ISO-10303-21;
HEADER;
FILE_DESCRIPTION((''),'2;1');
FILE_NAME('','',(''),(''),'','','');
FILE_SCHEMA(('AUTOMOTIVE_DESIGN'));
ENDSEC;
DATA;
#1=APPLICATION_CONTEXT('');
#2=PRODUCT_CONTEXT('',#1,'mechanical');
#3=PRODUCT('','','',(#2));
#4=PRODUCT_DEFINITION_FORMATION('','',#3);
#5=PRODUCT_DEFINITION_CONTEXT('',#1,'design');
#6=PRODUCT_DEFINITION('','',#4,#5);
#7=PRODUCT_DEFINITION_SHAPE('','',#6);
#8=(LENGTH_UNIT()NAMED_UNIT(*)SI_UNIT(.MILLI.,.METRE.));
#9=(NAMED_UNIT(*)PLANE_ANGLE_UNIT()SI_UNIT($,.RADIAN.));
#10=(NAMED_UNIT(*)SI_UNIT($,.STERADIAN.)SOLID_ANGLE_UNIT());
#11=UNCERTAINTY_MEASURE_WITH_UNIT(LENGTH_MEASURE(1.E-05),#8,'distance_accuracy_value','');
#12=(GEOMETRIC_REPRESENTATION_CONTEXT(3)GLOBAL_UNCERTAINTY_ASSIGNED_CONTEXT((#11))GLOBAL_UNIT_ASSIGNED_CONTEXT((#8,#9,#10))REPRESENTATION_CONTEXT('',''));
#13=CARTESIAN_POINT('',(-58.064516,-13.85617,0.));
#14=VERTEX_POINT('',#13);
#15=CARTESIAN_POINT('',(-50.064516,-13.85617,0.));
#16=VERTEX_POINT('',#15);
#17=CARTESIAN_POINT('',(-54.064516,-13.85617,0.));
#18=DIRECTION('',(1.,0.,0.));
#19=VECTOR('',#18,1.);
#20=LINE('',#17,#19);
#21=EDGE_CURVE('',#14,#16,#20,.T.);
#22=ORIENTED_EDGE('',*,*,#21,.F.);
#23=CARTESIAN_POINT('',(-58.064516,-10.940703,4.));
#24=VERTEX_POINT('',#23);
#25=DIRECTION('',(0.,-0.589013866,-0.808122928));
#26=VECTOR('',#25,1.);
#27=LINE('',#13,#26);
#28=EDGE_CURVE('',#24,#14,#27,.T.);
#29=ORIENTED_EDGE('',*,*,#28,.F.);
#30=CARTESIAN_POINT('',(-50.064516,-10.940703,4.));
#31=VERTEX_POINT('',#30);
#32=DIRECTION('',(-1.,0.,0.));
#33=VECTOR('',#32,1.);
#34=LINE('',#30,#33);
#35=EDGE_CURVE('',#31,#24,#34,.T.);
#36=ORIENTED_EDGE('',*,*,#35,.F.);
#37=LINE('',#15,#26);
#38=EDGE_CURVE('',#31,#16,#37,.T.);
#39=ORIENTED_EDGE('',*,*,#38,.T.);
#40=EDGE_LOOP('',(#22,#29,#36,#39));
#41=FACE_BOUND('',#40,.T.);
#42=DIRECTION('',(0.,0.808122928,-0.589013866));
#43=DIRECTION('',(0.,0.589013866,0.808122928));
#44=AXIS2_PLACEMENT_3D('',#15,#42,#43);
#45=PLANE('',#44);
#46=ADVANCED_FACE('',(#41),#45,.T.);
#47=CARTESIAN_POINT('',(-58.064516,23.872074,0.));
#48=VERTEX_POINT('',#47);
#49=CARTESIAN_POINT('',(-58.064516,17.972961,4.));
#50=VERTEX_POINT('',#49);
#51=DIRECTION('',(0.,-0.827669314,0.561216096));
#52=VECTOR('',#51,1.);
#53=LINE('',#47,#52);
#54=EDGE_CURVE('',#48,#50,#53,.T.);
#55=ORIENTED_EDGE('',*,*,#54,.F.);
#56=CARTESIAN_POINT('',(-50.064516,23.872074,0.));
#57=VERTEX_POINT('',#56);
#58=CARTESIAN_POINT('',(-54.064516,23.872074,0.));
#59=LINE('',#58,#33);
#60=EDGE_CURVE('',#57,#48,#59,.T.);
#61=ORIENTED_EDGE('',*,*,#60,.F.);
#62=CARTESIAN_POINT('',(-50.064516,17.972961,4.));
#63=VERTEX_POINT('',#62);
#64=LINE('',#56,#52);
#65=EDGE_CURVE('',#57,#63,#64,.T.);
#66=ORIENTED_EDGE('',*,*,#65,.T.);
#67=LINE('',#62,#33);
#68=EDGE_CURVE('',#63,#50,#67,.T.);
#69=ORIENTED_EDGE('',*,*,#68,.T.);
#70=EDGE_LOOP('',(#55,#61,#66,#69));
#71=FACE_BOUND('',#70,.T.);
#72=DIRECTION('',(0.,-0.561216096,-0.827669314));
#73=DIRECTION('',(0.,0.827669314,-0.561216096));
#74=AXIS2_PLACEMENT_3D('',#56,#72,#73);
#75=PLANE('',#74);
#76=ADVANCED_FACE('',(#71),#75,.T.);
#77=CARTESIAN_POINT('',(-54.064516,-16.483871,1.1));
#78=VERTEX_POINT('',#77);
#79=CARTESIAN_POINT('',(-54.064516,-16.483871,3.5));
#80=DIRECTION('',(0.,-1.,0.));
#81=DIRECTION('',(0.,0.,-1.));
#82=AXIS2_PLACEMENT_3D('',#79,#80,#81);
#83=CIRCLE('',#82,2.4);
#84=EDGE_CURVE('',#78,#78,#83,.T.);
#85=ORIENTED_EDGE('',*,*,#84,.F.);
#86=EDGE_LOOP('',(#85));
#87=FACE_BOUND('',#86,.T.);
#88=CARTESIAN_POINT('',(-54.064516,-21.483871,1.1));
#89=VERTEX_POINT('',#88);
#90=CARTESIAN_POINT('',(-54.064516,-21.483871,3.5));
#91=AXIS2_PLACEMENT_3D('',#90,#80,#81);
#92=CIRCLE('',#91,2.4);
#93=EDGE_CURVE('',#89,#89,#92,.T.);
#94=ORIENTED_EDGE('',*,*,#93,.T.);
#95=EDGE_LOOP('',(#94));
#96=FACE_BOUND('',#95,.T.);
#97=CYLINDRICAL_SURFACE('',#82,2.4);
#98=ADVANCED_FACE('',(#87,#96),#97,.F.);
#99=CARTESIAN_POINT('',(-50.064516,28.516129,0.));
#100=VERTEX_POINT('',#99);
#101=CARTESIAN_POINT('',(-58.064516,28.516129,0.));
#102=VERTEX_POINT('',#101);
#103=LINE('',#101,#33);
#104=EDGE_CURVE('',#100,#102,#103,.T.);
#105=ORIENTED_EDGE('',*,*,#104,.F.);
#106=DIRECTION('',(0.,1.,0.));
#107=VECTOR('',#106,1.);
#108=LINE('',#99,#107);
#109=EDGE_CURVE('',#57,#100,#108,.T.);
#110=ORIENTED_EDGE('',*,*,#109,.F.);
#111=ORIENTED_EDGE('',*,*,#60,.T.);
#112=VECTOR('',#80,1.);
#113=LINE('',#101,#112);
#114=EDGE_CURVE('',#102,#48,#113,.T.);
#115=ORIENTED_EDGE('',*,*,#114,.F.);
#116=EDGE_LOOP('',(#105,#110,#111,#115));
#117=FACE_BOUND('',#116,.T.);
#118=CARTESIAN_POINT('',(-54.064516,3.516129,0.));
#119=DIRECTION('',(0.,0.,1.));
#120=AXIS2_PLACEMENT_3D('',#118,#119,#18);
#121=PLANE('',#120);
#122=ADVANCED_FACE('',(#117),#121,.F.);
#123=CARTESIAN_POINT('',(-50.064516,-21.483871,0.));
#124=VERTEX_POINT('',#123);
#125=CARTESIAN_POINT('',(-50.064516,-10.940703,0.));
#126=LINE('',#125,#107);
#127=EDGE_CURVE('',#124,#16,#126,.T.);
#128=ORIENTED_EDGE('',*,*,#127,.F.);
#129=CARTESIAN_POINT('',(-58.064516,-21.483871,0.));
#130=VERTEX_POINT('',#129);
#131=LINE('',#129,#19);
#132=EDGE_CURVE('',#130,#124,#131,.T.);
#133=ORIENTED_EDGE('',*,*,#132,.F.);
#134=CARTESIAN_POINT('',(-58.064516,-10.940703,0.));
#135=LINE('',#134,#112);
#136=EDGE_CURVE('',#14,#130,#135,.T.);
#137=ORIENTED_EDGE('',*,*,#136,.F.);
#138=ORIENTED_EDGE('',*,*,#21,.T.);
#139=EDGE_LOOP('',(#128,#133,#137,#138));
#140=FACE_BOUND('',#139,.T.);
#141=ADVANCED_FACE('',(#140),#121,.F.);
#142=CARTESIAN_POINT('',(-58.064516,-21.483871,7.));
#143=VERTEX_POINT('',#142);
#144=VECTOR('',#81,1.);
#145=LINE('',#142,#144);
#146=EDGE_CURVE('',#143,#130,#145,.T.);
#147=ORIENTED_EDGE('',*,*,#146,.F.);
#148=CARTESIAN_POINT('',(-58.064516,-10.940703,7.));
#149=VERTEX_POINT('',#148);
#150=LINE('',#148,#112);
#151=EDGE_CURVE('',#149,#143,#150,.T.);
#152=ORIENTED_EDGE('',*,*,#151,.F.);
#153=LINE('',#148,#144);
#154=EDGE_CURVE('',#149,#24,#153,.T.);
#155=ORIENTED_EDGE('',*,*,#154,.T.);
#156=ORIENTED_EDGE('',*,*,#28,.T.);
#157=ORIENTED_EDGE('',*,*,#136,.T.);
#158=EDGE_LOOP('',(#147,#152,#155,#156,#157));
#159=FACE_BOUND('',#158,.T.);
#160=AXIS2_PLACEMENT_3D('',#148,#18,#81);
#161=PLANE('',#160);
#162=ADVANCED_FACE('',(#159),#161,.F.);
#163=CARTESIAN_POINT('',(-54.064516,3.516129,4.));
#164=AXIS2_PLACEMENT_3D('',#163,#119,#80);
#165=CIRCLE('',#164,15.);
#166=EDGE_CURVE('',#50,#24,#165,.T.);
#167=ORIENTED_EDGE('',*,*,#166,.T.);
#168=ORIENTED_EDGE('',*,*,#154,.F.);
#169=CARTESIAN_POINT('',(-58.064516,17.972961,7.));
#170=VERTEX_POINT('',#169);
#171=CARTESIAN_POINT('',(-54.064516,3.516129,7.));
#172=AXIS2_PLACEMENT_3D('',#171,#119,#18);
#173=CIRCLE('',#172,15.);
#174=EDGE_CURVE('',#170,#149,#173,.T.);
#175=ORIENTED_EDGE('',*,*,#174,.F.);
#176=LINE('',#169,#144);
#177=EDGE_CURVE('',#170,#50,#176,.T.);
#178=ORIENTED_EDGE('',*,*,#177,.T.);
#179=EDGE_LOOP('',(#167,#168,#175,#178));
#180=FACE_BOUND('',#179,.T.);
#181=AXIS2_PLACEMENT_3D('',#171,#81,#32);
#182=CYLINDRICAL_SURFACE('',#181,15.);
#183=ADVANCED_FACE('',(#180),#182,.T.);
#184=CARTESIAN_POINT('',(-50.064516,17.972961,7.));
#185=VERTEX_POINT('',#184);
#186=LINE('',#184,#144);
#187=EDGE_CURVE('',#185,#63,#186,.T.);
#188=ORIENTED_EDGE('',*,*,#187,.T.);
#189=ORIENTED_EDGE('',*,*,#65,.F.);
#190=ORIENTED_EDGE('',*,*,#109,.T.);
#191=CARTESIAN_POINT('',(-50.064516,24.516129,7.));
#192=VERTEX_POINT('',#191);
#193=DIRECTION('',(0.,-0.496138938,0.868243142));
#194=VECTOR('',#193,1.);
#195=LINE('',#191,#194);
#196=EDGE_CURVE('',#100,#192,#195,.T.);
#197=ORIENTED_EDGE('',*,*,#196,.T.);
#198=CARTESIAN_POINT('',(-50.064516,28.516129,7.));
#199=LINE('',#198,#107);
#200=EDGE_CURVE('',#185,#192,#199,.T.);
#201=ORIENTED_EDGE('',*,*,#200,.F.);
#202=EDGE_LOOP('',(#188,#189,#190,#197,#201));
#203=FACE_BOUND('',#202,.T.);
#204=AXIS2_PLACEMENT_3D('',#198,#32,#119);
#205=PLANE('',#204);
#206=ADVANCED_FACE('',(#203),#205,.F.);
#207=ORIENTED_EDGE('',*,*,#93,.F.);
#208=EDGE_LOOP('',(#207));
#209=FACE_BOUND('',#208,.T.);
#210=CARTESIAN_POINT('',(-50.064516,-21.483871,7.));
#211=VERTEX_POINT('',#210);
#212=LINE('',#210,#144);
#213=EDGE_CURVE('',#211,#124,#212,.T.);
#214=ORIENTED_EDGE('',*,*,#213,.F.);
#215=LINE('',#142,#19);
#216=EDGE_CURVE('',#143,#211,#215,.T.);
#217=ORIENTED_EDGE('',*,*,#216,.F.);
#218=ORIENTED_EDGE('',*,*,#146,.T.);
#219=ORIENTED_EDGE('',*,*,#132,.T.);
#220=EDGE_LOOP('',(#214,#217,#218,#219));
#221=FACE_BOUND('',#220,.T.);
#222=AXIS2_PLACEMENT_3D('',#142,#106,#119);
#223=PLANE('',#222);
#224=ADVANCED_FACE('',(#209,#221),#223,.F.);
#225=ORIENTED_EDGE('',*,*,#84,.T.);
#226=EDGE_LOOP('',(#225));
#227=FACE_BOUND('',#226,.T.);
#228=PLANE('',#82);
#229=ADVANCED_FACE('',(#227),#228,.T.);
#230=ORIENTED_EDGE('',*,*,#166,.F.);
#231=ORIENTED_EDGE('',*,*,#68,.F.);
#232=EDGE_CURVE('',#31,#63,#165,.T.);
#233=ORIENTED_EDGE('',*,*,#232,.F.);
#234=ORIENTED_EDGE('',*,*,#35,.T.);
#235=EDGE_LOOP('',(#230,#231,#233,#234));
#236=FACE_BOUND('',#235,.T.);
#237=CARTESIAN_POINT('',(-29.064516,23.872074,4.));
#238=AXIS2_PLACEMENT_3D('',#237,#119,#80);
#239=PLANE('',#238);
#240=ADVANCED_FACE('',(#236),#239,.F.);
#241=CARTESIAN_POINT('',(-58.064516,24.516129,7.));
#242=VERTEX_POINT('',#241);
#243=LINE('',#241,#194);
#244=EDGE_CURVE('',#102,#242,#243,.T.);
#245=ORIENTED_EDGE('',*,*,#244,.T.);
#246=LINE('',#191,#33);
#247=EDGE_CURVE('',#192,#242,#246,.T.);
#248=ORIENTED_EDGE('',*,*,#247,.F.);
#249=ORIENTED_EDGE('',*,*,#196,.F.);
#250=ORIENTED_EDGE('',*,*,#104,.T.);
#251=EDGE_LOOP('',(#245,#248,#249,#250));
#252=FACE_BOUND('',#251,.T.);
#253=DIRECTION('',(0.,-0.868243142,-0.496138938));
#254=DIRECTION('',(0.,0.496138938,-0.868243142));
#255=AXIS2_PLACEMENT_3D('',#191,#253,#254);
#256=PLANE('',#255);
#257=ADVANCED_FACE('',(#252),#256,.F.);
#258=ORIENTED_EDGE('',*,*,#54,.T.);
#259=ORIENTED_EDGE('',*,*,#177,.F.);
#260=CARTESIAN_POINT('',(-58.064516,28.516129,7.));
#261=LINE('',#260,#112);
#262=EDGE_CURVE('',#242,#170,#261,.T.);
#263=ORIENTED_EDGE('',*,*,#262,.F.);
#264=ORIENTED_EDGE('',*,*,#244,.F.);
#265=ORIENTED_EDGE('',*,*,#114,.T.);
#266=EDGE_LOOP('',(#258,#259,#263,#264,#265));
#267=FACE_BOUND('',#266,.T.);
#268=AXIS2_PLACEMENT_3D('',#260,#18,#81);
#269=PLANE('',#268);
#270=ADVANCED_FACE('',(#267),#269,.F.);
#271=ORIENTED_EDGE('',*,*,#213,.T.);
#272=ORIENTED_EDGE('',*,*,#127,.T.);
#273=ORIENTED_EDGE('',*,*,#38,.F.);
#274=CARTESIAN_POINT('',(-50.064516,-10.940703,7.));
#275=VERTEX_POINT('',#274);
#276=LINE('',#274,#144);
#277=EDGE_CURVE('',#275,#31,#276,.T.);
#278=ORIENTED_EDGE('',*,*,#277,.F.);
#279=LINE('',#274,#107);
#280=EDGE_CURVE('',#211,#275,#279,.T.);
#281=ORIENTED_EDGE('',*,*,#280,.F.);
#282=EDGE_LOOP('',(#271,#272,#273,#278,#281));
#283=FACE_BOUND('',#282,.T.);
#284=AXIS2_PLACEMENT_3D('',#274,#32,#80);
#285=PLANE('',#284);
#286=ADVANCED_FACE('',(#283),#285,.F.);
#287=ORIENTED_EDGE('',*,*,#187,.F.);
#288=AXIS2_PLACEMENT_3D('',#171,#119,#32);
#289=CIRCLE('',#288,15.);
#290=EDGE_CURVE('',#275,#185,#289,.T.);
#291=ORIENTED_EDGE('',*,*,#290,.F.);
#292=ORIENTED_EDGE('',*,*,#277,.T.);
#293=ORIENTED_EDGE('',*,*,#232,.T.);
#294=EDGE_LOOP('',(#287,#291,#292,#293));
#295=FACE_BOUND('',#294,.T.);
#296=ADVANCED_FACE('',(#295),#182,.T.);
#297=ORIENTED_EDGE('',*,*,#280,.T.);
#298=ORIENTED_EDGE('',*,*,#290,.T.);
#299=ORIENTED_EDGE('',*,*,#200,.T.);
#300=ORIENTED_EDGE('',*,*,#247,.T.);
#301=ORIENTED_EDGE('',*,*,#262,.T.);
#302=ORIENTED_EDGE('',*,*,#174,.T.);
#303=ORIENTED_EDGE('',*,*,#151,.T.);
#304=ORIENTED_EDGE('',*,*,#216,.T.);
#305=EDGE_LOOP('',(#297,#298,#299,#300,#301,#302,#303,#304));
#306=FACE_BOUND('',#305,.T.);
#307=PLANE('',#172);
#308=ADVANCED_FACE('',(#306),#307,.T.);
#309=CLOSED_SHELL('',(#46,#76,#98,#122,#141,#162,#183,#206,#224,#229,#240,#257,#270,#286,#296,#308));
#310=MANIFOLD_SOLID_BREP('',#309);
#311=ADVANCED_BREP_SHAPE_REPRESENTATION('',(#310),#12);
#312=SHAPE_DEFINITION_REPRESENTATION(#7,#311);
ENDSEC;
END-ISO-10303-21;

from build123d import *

# Parameters (mm, degrees)
SALIENTE_EXTRUIR1_DEPTH = 7
CROQUIS2_R              = 2.4
CORTAR_EXTRUIR1_DEPTH   = 5
CORTAR_EXTRUIR2_DEPTH   = 8
CROQUIS4_W              = 4
CROQUIS4_H              = 37.728244425
CORTAR_EXTRUIR3_DEPTH   = 40
SALIENTE_EXTRUIR2_DEPTH = 8


with BuildPart() as part:
    # Croquis1 → Saliente-Extruir1 (new body)
    with BuildSketch(Plane.XY):
        with BuildLine():
            Line((-58.064516129, 28.516129032), (-50.064516129, 28.516129032))
            Line((-50.064516129, 28.516129032), (-50.064516129, 17.972961327))
            ThreePointArc((-50.064516129, 17.972961327), (-39.064516129, 3.516129032), (-50.064516129, -10.940703263))
            Line((-50.064516129, -10.940703263), (-50.064516129, -21.483870968))
            Line((-50.064516129, -21.483870968), (-58.064516129, -21.483870968))
            Line((-58.064516129, -21.483870968), (-58.064516129, -10.940703263))
            ThreePointArc((-58.064516129, -10.940703263), (-69.064516129, 3.516129032), (-58.064516129, 17.972961327))
            Line((-58.064516129, 17.972961327), (-58.064516129, 28.516129032))
        make_face()
    extrude(amount=SALIENTE_EXTRUIR1_DEPTH)

    # Croquis2 → Cortar-Extruir1 (cut)
    with BuildSketch(Plane.XZ.offset(21.483870968)):
        with Locations(Location((-54.064516129, 3.5, 0), (0, 0, 270))):
            Circle(CROQUIS2_R)
    extrude(amount=-CORTAR_EXTRUIR1_DEPTH, mode=Mode.SUBTRACT)

    # Croquis3 → Cortar-Extruir2 (cut)
    with BuildSketch(Plane.ZY.offset(58.064516129)):
        Polygon((7, 24.516129032), (0, 28.516129032), (7, 28.516129032), align=None)
    extrude(amount=-CORTAR_EXTRUIR2_DEPTH, mode=Mode.SUBTRACT)

    # Croquis4 → Cortar-Extruir3 (cut)
    with BuildSketch(Plane.ZY.offset(69.064516129)):
        with Locations((2, 5.007952278)):
            Rectangle(CROQUIS4_W, CROQUIS4_H)
    extrude(amount=-CORTAR_EXTRUIR3_DEPTH, mode=Mode.SUBTRACT)

    # Croquis5 → Saliente-Extruir2 (add)
    with BuildSketch(Plane.ZY.offset(58.064516129)):
        Polygon((0, 23.87207449), (4, 17.972961327), (4, 23.87207449), align=None)
        Polygon((0, -13.856169935), (4, -10.940703263), (4, -13.856169935), align=None)
    extrude(amount=-SALIENTE_EXTRUIR2_DEPTH)


solid = part.part
